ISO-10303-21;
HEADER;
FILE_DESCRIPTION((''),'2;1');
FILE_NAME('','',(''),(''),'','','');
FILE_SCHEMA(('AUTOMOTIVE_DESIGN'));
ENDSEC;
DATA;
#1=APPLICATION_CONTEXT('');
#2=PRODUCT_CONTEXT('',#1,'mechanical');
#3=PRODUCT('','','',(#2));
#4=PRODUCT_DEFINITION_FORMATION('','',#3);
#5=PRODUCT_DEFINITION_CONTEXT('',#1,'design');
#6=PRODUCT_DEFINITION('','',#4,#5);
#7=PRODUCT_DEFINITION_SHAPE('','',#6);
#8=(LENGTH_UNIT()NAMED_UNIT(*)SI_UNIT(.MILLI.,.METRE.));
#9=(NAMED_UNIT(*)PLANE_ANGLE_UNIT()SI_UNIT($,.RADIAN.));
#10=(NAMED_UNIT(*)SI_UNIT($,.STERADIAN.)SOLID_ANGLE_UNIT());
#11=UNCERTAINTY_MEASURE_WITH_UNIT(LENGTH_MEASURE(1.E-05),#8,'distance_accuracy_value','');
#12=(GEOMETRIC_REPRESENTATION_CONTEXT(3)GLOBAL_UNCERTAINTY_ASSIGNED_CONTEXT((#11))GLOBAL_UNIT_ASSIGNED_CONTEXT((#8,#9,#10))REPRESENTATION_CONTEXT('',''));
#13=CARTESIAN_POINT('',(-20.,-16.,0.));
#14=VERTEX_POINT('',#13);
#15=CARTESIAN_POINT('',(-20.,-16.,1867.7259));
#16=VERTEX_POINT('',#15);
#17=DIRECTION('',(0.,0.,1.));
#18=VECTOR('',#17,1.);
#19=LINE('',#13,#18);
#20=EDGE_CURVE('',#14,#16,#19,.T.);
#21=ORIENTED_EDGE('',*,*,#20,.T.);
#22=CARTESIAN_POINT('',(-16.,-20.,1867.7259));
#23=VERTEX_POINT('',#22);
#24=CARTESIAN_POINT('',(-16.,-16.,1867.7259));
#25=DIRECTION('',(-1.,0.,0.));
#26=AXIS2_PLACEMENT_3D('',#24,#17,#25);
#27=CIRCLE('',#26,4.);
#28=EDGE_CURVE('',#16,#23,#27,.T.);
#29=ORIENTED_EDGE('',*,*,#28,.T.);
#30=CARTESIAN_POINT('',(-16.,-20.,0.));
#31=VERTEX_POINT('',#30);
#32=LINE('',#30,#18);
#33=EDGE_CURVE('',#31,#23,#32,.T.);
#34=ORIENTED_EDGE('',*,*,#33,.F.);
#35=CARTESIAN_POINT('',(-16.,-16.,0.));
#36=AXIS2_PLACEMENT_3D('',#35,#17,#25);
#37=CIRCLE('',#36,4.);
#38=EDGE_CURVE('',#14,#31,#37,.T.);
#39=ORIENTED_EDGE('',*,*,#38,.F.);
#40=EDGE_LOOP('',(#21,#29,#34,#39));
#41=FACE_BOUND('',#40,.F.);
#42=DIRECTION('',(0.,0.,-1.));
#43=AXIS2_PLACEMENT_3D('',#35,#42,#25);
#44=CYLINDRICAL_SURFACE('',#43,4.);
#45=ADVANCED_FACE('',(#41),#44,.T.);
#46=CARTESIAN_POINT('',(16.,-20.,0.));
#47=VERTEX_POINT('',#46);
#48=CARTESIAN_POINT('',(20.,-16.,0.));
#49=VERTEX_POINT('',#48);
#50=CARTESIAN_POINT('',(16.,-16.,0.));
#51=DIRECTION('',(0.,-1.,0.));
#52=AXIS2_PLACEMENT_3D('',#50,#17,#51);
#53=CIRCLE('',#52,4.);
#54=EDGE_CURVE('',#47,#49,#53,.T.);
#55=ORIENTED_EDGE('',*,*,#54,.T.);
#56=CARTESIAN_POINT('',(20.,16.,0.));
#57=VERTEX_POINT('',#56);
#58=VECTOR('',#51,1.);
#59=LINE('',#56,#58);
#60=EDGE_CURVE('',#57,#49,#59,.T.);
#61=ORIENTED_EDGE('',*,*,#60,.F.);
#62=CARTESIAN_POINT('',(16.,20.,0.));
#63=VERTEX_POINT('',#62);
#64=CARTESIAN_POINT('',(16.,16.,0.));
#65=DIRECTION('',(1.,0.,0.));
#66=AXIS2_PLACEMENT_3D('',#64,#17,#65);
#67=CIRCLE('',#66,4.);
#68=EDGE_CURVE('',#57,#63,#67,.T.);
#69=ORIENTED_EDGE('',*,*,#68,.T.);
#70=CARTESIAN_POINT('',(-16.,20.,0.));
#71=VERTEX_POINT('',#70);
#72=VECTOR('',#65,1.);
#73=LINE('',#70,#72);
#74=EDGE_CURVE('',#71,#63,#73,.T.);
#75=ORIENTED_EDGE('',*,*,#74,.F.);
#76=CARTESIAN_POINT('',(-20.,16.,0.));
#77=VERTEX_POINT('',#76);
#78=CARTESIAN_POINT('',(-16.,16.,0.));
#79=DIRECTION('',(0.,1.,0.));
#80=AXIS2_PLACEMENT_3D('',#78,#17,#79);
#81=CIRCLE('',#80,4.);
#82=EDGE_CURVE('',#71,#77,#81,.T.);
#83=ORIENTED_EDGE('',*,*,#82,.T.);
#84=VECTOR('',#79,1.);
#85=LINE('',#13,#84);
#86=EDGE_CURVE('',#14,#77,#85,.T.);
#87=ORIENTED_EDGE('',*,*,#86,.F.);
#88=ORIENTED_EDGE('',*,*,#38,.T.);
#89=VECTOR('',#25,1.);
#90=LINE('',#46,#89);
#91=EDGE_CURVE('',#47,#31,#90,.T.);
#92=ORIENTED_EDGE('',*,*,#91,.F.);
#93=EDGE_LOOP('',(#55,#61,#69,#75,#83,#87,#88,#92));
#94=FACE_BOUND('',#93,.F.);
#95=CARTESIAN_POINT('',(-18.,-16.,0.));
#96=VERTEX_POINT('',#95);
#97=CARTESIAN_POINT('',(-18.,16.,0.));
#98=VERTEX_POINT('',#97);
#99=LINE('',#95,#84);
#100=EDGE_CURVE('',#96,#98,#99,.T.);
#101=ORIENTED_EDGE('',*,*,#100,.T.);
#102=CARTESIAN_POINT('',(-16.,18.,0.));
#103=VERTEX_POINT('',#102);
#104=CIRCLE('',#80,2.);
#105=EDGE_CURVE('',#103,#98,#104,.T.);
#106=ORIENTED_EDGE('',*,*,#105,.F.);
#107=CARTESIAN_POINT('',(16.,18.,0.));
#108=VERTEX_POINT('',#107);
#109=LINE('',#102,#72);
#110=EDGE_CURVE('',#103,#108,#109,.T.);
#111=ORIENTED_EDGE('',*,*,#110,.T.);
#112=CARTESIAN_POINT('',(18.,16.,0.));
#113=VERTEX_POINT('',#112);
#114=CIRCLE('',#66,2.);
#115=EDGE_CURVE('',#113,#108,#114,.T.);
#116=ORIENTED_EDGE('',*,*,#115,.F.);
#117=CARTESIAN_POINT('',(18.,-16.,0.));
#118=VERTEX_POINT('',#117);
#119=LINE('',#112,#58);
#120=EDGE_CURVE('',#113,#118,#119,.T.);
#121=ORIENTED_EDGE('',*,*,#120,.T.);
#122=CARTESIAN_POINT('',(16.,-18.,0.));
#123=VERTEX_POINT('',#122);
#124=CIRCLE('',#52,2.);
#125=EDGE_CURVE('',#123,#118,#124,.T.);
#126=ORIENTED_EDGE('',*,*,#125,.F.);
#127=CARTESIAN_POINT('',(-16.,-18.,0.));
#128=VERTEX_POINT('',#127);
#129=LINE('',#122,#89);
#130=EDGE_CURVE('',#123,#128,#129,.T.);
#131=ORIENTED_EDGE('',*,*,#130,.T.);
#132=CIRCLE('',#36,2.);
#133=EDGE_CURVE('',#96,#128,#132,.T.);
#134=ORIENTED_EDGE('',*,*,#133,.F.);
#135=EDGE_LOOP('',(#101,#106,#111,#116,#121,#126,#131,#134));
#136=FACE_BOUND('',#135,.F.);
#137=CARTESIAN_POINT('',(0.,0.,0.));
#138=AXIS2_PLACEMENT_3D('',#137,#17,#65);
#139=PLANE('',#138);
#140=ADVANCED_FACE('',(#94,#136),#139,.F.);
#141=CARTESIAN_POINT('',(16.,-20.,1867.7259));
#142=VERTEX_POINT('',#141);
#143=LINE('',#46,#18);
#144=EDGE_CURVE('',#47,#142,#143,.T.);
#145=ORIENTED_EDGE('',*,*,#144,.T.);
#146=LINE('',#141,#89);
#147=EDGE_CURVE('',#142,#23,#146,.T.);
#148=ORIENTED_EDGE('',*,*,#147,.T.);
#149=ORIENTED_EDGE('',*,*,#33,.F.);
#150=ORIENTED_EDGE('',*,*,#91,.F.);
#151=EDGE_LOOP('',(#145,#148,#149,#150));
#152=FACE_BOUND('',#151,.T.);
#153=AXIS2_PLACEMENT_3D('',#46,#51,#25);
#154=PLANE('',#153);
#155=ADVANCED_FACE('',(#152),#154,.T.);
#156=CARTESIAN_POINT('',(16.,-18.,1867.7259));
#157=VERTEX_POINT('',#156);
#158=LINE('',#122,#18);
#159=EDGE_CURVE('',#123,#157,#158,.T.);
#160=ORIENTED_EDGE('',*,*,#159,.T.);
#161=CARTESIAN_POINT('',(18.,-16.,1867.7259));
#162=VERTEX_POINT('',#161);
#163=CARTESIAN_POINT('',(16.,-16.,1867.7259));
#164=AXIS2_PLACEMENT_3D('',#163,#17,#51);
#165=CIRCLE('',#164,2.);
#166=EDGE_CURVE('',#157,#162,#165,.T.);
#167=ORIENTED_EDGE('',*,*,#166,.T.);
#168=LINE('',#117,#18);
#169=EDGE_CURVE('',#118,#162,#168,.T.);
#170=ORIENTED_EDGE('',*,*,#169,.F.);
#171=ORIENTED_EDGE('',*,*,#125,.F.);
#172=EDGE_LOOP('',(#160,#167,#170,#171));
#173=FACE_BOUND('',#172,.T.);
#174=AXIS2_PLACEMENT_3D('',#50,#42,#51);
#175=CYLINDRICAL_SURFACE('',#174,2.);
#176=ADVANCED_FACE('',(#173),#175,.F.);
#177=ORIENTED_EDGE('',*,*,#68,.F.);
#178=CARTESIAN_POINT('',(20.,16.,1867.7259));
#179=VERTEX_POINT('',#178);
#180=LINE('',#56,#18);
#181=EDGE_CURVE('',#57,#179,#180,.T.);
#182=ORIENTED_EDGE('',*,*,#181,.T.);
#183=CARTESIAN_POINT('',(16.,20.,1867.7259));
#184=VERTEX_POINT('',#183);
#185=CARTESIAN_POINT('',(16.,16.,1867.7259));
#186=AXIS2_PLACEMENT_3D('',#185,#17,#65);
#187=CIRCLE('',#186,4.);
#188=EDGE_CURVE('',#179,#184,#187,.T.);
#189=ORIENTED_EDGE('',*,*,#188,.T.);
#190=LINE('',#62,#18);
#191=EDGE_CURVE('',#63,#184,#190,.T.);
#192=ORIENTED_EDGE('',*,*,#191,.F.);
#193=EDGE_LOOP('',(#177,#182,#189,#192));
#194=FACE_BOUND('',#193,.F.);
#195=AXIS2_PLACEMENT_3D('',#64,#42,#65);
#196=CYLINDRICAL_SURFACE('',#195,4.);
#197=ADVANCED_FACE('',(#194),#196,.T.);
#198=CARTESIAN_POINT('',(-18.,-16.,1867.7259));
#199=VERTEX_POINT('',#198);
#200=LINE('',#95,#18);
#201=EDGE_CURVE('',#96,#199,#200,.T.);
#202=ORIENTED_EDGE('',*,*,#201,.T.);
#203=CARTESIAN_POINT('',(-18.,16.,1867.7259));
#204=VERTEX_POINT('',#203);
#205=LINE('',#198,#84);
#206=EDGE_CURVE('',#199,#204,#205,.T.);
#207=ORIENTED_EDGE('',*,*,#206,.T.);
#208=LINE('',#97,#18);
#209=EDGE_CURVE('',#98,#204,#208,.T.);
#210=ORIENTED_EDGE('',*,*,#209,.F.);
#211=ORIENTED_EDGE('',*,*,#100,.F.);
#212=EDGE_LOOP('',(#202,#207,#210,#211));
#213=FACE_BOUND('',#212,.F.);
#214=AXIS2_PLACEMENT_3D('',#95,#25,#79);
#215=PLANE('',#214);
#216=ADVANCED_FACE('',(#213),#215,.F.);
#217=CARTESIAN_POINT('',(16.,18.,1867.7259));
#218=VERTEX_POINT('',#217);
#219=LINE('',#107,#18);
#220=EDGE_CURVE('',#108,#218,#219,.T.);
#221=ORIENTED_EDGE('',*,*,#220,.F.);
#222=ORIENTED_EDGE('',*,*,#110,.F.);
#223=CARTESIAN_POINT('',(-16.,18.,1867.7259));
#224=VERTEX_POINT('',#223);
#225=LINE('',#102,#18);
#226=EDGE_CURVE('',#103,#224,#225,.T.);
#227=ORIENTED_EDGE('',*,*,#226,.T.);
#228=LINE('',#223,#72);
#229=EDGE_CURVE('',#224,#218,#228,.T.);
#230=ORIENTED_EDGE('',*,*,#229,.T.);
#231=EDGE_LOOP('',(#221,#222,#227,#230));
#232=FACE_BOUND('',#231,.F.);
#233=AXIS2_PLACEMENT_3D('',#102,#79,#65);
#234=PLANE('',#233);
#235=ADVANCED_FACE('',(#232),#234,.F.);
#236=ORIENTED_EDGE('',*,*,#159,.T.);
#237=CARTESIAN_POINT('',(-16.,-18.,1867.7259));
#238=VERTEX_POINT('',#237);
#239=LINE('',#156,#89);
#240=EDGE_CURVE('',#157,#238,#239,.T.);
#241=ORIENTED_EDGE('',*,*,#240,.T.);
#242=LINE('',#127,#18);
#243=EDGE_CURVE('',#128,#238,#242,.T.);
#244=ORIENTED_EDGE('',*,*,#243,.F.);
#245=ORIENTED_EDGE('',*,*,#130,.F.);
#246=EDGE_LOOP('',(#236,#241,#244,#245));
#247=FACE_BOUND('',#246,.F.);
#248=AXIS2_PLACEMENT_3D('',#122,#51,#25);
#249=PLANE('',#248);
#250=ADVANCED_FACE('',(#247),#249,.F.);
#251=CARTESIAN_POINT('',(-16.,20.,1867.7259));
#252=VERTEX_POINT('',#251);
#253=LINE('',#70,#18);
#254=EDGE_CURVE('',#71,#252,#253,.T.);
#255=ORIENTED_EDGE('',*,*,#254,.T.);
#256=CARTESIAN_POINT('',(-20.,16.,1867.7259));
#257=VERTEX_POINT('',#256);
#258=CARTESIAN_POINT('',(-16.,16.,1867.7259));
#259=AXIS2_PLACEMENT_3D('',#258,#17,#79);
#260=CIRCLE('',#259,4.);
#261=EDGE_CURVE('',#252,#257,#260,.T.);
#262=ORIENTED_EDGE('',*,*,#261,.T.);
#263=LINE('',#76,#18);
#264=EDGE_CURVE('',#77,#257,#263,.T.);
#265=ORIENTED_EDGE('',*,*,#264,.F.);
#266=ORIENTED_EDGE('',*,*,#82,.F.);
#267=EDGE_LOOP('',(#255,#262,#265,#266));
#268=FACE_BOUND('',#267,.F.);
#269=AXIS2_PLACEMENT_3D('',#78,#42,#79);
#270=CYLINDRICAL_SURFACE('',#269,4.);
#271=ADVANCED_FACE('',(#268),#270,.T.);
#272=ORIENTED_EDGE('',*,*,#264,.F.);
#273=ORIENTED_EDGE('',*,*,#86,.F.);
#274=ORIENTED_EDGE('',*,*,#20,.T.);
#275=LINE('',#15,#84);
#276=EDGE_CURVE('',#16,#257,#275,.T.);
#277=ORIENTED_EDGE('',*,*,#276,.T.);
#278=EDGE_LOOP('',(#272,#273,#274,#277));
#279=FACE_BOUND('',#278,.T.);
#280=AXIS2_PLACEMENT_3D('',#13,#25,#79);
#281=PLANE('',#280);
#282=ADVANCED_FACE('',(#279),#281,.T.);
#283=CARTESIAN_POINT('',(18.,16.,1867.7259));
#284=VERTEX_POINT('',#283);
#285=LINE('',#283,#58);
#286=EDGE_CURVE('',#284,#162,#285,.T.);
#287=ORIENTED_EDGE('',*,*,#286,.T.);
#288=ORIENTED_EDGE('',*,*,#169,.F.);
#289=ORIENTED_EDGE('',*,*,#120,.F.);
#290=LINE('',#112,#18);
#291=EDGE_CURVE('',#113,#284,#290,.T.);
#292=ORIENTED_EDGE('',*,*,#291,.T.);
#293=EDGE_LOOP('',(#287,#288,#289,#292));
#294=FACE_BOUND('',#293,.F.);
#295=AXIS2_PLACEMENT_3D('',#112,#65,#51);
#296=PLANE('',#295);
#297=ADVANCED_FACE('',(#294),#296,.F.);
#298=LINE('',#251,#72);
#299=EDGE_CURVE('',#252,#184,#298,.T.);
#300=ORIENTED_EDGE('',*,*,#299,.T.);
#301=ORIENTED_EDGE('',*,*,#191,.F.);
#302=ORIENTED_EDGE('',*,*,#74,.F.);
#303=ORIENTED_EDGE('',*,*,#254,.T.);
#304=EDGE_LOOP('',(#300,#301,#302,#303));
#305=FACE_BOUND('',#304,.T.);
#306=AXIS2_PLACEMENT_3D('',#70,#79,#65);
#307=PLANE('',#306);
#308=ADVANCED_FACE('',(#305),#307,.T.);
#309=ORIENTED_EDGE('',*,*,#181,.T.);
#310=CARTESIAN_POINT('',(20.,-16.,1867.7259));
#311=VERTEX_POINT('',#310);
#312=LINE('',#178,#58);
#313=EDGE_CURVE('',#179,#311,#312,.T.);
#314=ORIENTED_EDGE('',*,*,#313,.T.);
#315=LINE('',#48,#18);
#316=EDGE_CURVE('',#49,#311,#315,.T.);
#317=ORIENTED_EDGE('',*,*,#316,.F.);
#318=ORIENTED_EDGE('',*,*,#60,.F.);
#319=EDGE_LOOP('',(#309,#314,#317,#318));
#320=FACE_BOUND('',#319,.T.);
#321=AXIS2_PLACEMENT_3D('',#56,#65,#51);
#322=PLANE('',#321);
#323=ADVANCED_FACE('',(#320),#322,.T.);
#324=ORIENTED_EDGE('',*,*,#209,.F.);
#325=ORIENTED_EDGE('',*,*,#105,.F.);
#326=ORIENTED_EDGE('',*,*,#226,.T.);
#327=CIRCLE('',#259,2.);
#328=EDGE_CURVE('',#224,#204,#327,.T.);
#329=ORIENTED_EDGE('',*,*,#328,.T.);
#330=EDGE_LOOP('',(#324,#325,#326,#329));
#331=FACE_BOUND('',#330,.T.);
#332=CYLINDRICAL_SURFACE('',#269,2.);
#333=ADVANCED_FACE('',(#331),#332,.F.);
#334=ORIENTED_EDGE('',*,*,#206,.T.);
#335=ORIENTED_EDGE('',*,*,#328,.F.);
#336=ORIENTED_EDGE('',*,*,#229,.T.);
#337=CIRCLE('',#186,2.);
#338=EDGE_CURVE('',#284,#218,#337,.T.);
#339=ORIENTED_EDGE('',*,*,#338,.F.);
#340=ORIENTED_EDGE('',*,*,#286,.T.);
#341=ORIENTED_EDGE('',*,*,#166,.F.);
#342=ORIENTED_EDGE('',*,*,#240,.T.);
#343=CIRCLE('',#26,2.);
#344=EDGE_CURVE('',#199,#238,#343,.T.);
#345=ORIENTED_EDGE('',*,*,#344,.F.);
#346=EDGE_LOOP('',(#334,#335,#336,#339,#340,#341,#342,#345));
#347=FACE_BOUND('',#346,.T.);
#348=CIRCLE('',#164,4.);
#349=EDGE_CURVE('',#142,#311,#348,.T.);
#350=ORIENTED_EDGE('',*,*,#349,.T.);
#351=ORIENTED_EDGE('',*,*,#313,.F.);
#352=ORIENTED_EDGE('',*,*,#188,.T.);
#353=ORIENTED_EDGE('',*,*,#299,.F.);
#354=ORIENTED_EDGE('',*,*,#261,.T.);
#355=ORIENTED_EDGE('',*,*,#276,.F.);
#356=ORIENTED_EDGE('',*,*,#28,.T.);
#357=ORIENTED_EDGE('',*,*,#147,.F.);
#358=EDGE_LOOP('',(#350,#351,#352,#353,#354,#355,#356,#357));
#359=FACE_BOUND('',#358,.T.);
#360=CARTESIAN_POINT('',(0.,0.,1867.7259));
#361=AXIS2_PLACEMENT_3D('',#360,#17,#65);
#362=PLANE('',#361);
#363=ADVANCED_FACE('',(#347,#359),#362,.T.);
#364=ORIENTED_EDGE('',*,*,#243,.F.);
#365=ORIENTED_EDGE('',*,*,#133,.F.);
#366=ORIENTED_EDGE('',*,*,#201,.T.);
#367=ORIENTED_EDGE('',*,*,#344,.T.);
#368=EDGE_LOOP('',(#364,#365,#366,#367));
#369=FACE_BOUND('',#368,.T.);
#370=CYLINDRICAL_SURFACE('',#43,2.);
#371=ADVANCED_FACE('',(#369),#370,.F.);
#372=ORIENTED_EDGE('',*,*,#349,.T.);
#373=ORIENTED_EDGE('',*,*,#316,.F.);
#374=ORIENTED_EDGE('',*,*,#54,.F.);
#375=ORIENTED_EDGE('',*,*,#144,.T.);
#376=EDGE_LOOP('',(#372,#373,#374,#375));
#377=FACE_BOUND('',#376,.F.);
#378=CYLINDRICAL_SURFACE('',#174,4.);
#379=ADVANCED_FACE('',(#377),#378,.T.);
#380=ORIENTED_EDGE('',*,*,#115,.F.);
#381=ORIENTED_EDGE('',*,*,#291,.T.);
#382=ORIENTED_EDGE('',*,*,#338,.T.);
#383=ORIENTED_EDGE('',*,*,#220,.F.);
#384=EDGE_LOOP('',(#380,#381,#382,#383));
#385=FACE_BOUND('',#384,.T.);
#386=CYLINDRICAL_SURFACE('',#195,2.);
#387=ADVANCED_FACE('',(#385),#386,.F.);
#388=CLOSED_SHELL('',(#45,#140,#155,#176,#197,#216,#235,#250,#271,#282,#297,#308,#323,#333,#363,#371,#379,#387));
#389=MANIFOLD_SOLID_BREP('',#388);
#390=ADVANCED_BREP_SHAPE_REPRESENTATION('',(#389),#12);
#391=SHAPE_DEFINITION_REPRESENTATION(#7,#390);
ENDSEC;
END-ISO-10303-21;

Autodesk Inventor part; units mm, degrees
ref_plane "YZ Plane" through (0, 0, 0) normal (1, 0, 0) x (0, 1, 0)
ref_plane "Start Plane" through (0, 0, 0) normal (0, 0, 1) x (1, 0, 0)
ref_plane "End Plane" through (0, 0, 1867.7259) normal (0, 0, 1) x (1, 0, 0)
sketch "Sketch" plane through (0, 0, 0) normal (0, 0, 1) x (1, 0, 0)
  line L0 (-20, -16) -> (-20, 16)
  line L1 (-16, 20) -> (16, 20)
  line L2 (20, 16) -> (20, -16)
  line L3 (16, -20) -> (-16, -20)
  arc A0 (-20, -16) -> (-16, -20) centre (-16, -16) ccw
  arc A1 (20, 16) -> (16, 20) centre (16, 16) ccw
  arc A2 (-16, 20) -> (-20, 16) centre (-16, 16) ccw
  arc A3 (16, -20) -> (20, -16) centre (16, -16) ccw
  arc A4 (-16, 18) -> (-18, 16) centre (-16, 16) ccw
  line L4 (-16, 18) -> (16, 18)
  arc A5 (18, 16) -> (16, 18) centre (16, 16) ccw
  line L5 (18, 16) -> (18, -16)
  arc A6 (16, -18) -> (18, -16) centre (16, -16) ccw
  line L6 (16, -18) -> (-16, -18)
  arc A7 (-18, -16) -> (-16, -18) centre (-16, -16) ccw
  line L7 (-18, -16) -> (-18, 16)
  line L8 (0, 29.1598) -> (0, -29.1598) construction
  line L9 (-29.1598, 0) -> (29.1598, 0) construction
  dimension "d7" = 4
  dimension "d9" = 40
  dimension "d11" = 40
  dimension "d12" = 2
  dimension "d15" = 20
  dimension "d16" = 20
extrude "Body" add sketch "Sketch" along normal up to surface (1867.7259 mm away) from surface at 0
sketch "Sketch3" plane through (0, 0, 0) normal (0, 0, 1) x (1, 0, 0)
  line L0 (0, 0) -> (10, 0)
ref_plane "Work Plane3" through (0, 0, 0) normal (0, -1, 0) x (1, 0, 0)
sketch "Sketch4" plane through (0, 0, 0) normal (0, -1, 0) x (1, 0, 0)
  line L0 (-2, 0) -> (12, 0) projected
  line L1 (-2, 1867.7259) -> (12, 1867.7259) projected
  dimension "d18" = 1867.7259
equation "\"d7\" = G_IR"
equation "\"d9\" = G_W"
equation "\"d11\" = G_H"
equation "\"d12\" = G_T"
equation "\"d15\" = 0.5 * d9"
equation "\"d16\" = 0.5 * d11"
equation "\"d3\" = G_L"
equation "\"G_W\" = 40"
equation "\"G_H\" = 40"
equation "\"G_T\" = 2"
equation "\"G_IR\" = 4"
equation "\"G_L\" = d18"
equation "\"G_OFFSET_START\" = 0"
equation "\"G_OFFSET_END\" = 0"
equation "\"d14\" = G_OFFSET_END + B_L"
equation "\"B_L\" = 1867.72589"
properties part number "ISO 10799-2 - 40x40x2 - 1867,73" material "Steel, Mild"
